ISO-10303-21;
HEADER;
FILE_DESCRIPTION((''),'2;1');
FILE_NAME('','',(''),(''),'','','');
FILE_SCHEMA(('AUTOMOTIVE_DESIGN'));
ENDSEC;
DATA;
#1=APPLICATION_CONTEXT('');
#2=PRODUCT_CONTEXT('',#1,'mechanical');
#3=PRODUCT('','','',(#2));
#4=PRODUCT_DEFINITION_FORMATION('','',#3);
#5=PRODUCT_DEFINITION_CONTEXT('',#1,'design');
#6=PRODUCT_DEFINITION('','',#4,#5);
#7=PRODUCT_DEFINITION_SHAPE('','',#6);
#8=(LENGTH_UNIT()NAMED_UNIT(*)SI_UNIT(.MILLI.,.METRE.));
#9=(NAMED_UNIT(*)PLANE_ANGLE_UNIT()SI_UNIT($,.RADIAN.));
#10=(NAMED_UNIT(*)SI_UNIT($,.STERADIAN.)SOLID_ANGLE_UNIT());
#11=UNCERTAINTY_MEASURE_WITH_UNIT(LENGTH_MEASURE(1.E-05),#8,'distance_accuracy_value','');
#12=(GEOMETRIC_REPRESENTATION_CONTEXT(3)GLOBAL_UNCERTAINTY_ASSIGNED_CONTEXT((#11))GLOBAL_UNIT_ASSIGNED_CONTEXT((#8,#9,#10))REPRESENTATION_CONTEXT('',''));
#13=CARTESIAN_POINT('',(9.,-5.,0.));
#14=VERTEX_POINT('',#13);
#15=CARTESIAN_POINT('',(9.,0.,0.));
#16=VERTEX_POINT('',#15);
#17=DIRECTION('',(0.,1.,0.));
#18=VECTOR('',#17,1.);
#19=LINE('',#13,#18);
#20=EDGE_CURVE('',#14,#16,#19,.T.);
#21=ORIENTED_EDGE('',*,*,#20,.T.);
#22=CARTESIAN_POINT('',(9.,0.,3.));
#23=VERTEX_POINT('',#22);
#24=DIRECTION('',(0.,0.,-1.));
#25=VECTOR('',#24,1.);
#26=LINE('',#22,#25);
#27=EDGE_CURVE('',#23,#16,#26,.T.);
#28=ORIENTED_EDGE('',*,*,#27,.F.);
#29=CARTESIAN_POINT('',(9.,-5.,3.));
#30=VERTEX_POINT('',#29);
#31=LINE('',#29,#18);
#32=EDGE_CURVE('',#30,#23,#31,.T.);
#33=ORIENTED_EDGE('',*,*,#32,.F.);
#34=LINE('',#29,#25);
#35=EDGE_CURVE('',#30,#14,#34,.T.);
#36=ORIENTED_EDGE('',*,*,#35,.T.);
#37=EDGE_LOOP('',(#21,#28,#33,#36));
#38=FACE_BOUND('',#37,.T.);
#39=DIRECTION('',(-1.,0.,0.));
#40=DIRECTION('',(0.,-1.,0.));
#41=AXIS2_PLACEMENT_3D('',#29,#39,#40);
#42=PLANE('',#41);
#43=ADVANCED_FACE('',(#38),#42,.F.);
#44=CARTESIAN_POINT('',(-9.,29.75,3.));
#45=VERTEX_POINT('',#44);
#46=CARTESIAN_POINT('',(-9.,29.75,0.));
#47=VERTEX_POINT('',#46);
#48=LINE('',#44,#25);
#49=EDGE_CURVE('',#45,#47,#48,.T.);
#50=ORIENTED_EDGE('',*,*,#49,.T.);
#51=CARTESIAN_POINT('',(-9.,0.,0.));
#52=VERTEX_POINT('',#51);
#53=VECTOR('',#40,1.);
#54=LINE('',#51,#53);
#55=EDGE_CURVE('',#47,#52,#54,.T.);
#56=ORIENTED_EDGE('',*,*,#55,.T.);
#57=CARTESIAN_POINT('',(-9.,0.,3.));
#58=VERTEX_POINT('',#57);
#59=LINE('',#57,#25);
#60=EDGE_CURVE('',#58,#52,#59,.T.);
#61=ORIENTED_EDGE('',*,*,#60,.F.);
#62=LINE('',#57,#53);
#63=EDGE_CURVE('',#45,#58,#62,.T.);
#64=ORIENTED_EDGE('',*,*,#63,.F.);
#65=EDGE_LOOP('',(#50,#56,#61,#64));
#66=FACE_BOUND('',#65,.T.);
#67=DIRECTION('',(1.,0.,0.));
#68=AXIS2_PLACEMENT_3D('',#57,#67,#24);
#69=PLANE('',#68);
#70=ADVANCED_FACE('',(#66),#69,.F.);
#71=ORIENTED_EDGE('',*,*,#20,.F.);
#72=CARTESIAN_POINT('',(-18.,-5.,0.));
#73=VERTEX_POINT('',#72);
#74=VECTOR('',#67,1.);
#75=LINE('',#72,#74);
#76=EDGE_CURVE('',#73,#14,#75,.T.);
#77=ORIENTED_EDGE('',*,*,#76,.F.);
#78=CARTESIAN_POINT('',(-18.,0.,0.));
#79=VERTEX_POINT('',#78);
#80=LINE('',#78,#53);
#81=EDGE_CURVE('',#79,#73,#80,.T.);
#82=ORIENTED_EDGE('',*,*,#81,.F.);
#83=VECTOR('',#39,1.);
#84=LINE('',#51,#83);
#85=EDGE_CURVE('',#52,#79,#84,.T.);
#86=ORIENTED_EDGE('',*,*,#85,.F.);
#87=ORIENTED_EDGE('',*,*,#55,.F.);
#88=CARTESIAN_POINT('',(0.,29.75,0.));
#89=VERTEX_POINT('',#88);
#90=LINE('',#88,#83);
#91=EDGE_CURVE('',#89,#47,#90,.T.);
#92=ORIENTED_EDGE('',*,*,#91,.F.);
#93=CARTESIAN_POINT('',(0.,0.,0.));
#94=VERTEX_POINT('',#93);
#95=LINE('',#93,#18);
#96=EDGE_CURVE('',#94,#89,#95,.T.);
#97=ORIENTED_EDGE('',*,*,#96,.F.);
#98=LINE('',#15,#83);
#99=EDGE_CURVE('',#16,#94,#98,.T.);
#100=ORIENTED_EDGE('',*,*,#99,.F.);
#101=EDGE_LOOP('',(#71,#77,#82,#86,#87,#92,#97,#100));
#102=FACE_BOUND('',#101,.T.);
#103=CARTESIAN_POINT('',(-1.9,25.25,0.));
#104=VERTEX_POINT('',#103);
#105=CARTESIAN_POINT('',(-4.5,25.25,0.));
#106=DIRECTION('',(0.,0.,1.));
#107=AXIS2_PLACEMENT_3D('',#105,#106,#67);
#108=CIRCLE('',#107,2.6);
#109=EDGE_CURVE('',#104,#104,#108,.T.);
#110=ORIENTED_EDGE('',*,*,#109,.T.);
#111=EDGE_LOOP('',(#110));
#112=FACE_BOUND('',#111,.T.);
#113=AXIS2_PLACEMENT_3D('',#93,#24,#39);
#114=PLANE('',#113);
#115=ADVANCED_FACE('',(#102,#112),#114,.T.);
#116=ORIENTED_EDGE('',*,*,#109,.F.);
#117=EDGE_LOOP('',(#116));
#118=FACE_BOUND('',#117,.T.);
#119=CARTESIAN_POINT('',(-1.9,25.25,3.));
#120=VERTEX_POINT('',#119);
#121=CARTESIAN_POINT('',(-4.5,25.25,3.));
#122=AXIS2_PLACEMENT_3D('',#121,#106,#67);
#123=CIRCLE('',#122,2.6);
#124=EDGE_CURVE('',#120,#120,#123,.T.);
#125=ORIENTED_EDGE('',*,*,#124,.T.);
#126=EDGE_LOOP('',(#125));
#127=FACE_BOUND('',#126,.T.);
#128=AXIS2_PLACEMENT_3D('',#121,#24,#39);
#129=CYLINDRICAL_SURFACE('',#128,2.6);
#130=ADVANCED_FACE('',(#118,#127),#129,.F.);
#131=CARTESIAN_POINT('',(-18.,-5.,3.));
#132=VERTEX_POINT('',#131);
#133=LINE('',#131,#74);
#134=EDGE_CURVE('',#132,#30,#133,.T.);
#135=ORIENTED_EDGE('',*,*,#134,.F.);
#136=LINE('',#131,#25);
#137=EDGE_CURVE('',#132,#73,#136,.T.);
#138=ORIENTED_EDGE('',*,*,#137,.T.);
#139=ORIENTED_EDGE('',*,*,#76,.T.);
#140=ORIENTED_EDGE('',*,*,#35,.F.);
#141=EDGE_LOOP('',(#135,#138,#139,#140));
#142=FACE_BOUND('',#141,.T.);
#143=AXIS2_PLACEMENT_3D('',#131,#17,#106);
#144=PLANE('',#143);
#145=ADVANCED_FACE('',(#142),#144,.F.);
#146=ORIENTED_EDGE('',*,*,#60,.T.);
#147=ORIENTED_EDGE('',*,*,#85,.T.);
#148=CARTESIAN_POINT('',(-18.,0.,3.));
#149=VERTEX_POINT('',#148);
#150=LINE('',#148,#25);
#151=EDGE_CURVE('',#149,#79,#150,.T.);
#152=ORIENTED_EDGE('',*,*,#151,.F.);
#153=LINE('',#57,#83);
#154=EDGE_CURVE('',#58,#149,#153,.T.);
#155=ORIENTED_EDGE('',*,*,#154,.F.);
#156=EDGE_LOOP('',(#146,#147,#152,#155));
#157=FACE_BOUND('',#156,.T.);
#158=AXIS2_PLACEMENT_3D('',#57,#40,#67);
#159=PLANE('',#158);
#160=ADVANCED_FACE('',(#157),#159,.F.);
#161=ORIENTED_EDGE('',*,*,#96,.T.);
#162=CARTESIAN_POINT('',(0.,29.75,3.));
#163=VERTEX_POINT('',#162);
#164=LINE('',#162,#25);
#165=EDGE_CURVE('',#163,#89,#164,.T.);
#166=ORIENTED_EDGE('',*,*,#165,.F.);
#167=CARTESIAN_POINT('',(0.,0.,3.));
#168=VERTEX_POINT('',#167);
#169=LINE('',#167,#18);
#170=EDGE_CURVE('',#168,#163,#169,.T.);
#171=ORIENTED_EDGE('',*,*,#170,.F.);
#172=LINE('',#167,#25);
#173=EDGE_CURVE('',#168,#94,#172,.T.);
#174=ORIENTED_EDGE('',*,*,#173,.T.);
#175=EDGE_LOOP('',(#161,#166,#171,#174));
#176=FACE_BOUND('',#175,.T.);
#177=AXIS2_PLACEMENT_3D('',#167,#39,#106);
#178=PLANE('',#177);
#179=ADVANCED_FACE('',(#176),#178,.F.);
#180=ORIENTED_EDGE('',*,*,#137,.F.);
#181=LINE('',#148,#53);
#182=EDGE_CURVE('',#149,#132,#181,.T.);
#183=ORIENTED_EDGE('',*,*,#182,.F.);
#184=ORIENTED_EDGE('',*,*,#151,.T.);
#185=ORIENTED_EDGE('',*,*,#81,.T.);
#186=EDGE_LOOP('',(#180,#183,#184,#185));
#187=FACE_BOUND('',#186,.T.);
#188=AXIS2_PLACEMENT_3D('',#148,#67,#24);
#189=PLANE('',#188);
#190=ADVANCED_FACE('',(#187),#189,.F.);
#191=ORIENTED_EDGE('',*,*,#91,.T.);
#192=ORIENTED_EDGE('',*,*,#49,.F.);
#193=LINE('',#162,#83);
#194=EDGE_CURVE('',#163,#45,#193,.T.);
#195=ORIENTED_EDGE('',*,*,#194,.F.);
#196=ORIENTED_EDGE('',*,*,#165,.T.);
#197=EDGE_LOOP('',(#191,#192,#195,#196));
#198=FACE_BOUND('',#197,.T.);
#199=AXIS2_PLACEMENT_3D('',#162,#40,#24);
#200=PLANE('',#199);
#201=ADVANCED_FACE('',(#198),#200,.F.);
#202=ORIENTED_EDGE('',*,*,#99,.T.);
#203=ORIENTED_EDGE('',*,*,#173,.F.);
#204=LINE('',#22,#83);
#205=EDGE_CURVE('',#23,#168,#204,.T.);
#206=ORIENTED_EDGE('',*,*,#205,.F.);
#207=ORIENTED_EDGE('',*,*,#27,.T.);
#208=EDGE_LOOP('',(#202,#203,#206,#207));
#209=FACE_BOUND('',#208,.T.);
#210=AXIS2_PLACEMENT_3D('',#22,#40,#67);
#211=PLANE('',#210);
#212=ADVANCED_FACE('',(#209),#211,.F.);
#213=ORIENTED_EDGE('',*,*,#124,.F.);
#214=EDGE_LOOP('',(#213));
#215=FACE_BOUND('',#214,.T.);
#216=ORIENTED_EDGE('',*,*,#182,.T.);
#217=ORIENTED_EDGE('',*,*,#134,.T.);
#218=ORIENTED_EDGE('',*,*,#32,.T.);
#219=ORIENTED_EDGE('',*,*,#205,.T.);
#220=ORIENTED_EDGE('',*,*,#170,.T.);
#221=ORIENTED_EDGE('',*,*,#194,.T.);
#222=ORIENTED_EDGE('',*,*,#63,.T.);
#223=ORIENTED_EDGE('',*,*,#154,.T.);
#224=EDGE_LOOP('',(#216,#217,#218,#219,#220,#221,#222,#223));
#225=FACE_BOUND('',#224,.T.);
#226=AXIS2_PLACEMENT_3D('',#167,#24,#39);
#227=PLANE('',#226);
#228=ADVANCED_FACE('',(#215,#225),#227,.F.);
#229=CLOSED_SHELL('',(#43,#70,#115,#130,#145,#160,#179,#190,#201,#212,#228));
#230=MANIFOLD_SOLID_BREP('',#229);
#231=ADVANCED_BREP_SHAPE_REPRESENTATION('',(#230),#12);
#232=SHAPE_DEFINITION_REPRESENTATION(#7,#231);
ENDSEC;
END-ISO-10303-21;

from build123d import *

# Parameters (mm, degrees)
ESQUISSE1_R        = 2.6
BOSS_EXTRU_1_DEPTH = 3


with BuildPart() as part:
    # Esquisse1 → Boss.-Extru.1 (new body)
    with BuildSketch(Plane.XY):
        Polygon((-9, 0), (-18, 0), (-18, -5), (9, -5), (9, 0), (0, 0), (0, 29.75), (-9, 29.75), align=None)
        with Locations((-4.5, 25.25)):
            Circle(ESQUISSE1_R, mode=Mode.SUBTRACT)
    extrude(amount=BOSS_EXTRU_1_DEPTH)


solid = part.part
